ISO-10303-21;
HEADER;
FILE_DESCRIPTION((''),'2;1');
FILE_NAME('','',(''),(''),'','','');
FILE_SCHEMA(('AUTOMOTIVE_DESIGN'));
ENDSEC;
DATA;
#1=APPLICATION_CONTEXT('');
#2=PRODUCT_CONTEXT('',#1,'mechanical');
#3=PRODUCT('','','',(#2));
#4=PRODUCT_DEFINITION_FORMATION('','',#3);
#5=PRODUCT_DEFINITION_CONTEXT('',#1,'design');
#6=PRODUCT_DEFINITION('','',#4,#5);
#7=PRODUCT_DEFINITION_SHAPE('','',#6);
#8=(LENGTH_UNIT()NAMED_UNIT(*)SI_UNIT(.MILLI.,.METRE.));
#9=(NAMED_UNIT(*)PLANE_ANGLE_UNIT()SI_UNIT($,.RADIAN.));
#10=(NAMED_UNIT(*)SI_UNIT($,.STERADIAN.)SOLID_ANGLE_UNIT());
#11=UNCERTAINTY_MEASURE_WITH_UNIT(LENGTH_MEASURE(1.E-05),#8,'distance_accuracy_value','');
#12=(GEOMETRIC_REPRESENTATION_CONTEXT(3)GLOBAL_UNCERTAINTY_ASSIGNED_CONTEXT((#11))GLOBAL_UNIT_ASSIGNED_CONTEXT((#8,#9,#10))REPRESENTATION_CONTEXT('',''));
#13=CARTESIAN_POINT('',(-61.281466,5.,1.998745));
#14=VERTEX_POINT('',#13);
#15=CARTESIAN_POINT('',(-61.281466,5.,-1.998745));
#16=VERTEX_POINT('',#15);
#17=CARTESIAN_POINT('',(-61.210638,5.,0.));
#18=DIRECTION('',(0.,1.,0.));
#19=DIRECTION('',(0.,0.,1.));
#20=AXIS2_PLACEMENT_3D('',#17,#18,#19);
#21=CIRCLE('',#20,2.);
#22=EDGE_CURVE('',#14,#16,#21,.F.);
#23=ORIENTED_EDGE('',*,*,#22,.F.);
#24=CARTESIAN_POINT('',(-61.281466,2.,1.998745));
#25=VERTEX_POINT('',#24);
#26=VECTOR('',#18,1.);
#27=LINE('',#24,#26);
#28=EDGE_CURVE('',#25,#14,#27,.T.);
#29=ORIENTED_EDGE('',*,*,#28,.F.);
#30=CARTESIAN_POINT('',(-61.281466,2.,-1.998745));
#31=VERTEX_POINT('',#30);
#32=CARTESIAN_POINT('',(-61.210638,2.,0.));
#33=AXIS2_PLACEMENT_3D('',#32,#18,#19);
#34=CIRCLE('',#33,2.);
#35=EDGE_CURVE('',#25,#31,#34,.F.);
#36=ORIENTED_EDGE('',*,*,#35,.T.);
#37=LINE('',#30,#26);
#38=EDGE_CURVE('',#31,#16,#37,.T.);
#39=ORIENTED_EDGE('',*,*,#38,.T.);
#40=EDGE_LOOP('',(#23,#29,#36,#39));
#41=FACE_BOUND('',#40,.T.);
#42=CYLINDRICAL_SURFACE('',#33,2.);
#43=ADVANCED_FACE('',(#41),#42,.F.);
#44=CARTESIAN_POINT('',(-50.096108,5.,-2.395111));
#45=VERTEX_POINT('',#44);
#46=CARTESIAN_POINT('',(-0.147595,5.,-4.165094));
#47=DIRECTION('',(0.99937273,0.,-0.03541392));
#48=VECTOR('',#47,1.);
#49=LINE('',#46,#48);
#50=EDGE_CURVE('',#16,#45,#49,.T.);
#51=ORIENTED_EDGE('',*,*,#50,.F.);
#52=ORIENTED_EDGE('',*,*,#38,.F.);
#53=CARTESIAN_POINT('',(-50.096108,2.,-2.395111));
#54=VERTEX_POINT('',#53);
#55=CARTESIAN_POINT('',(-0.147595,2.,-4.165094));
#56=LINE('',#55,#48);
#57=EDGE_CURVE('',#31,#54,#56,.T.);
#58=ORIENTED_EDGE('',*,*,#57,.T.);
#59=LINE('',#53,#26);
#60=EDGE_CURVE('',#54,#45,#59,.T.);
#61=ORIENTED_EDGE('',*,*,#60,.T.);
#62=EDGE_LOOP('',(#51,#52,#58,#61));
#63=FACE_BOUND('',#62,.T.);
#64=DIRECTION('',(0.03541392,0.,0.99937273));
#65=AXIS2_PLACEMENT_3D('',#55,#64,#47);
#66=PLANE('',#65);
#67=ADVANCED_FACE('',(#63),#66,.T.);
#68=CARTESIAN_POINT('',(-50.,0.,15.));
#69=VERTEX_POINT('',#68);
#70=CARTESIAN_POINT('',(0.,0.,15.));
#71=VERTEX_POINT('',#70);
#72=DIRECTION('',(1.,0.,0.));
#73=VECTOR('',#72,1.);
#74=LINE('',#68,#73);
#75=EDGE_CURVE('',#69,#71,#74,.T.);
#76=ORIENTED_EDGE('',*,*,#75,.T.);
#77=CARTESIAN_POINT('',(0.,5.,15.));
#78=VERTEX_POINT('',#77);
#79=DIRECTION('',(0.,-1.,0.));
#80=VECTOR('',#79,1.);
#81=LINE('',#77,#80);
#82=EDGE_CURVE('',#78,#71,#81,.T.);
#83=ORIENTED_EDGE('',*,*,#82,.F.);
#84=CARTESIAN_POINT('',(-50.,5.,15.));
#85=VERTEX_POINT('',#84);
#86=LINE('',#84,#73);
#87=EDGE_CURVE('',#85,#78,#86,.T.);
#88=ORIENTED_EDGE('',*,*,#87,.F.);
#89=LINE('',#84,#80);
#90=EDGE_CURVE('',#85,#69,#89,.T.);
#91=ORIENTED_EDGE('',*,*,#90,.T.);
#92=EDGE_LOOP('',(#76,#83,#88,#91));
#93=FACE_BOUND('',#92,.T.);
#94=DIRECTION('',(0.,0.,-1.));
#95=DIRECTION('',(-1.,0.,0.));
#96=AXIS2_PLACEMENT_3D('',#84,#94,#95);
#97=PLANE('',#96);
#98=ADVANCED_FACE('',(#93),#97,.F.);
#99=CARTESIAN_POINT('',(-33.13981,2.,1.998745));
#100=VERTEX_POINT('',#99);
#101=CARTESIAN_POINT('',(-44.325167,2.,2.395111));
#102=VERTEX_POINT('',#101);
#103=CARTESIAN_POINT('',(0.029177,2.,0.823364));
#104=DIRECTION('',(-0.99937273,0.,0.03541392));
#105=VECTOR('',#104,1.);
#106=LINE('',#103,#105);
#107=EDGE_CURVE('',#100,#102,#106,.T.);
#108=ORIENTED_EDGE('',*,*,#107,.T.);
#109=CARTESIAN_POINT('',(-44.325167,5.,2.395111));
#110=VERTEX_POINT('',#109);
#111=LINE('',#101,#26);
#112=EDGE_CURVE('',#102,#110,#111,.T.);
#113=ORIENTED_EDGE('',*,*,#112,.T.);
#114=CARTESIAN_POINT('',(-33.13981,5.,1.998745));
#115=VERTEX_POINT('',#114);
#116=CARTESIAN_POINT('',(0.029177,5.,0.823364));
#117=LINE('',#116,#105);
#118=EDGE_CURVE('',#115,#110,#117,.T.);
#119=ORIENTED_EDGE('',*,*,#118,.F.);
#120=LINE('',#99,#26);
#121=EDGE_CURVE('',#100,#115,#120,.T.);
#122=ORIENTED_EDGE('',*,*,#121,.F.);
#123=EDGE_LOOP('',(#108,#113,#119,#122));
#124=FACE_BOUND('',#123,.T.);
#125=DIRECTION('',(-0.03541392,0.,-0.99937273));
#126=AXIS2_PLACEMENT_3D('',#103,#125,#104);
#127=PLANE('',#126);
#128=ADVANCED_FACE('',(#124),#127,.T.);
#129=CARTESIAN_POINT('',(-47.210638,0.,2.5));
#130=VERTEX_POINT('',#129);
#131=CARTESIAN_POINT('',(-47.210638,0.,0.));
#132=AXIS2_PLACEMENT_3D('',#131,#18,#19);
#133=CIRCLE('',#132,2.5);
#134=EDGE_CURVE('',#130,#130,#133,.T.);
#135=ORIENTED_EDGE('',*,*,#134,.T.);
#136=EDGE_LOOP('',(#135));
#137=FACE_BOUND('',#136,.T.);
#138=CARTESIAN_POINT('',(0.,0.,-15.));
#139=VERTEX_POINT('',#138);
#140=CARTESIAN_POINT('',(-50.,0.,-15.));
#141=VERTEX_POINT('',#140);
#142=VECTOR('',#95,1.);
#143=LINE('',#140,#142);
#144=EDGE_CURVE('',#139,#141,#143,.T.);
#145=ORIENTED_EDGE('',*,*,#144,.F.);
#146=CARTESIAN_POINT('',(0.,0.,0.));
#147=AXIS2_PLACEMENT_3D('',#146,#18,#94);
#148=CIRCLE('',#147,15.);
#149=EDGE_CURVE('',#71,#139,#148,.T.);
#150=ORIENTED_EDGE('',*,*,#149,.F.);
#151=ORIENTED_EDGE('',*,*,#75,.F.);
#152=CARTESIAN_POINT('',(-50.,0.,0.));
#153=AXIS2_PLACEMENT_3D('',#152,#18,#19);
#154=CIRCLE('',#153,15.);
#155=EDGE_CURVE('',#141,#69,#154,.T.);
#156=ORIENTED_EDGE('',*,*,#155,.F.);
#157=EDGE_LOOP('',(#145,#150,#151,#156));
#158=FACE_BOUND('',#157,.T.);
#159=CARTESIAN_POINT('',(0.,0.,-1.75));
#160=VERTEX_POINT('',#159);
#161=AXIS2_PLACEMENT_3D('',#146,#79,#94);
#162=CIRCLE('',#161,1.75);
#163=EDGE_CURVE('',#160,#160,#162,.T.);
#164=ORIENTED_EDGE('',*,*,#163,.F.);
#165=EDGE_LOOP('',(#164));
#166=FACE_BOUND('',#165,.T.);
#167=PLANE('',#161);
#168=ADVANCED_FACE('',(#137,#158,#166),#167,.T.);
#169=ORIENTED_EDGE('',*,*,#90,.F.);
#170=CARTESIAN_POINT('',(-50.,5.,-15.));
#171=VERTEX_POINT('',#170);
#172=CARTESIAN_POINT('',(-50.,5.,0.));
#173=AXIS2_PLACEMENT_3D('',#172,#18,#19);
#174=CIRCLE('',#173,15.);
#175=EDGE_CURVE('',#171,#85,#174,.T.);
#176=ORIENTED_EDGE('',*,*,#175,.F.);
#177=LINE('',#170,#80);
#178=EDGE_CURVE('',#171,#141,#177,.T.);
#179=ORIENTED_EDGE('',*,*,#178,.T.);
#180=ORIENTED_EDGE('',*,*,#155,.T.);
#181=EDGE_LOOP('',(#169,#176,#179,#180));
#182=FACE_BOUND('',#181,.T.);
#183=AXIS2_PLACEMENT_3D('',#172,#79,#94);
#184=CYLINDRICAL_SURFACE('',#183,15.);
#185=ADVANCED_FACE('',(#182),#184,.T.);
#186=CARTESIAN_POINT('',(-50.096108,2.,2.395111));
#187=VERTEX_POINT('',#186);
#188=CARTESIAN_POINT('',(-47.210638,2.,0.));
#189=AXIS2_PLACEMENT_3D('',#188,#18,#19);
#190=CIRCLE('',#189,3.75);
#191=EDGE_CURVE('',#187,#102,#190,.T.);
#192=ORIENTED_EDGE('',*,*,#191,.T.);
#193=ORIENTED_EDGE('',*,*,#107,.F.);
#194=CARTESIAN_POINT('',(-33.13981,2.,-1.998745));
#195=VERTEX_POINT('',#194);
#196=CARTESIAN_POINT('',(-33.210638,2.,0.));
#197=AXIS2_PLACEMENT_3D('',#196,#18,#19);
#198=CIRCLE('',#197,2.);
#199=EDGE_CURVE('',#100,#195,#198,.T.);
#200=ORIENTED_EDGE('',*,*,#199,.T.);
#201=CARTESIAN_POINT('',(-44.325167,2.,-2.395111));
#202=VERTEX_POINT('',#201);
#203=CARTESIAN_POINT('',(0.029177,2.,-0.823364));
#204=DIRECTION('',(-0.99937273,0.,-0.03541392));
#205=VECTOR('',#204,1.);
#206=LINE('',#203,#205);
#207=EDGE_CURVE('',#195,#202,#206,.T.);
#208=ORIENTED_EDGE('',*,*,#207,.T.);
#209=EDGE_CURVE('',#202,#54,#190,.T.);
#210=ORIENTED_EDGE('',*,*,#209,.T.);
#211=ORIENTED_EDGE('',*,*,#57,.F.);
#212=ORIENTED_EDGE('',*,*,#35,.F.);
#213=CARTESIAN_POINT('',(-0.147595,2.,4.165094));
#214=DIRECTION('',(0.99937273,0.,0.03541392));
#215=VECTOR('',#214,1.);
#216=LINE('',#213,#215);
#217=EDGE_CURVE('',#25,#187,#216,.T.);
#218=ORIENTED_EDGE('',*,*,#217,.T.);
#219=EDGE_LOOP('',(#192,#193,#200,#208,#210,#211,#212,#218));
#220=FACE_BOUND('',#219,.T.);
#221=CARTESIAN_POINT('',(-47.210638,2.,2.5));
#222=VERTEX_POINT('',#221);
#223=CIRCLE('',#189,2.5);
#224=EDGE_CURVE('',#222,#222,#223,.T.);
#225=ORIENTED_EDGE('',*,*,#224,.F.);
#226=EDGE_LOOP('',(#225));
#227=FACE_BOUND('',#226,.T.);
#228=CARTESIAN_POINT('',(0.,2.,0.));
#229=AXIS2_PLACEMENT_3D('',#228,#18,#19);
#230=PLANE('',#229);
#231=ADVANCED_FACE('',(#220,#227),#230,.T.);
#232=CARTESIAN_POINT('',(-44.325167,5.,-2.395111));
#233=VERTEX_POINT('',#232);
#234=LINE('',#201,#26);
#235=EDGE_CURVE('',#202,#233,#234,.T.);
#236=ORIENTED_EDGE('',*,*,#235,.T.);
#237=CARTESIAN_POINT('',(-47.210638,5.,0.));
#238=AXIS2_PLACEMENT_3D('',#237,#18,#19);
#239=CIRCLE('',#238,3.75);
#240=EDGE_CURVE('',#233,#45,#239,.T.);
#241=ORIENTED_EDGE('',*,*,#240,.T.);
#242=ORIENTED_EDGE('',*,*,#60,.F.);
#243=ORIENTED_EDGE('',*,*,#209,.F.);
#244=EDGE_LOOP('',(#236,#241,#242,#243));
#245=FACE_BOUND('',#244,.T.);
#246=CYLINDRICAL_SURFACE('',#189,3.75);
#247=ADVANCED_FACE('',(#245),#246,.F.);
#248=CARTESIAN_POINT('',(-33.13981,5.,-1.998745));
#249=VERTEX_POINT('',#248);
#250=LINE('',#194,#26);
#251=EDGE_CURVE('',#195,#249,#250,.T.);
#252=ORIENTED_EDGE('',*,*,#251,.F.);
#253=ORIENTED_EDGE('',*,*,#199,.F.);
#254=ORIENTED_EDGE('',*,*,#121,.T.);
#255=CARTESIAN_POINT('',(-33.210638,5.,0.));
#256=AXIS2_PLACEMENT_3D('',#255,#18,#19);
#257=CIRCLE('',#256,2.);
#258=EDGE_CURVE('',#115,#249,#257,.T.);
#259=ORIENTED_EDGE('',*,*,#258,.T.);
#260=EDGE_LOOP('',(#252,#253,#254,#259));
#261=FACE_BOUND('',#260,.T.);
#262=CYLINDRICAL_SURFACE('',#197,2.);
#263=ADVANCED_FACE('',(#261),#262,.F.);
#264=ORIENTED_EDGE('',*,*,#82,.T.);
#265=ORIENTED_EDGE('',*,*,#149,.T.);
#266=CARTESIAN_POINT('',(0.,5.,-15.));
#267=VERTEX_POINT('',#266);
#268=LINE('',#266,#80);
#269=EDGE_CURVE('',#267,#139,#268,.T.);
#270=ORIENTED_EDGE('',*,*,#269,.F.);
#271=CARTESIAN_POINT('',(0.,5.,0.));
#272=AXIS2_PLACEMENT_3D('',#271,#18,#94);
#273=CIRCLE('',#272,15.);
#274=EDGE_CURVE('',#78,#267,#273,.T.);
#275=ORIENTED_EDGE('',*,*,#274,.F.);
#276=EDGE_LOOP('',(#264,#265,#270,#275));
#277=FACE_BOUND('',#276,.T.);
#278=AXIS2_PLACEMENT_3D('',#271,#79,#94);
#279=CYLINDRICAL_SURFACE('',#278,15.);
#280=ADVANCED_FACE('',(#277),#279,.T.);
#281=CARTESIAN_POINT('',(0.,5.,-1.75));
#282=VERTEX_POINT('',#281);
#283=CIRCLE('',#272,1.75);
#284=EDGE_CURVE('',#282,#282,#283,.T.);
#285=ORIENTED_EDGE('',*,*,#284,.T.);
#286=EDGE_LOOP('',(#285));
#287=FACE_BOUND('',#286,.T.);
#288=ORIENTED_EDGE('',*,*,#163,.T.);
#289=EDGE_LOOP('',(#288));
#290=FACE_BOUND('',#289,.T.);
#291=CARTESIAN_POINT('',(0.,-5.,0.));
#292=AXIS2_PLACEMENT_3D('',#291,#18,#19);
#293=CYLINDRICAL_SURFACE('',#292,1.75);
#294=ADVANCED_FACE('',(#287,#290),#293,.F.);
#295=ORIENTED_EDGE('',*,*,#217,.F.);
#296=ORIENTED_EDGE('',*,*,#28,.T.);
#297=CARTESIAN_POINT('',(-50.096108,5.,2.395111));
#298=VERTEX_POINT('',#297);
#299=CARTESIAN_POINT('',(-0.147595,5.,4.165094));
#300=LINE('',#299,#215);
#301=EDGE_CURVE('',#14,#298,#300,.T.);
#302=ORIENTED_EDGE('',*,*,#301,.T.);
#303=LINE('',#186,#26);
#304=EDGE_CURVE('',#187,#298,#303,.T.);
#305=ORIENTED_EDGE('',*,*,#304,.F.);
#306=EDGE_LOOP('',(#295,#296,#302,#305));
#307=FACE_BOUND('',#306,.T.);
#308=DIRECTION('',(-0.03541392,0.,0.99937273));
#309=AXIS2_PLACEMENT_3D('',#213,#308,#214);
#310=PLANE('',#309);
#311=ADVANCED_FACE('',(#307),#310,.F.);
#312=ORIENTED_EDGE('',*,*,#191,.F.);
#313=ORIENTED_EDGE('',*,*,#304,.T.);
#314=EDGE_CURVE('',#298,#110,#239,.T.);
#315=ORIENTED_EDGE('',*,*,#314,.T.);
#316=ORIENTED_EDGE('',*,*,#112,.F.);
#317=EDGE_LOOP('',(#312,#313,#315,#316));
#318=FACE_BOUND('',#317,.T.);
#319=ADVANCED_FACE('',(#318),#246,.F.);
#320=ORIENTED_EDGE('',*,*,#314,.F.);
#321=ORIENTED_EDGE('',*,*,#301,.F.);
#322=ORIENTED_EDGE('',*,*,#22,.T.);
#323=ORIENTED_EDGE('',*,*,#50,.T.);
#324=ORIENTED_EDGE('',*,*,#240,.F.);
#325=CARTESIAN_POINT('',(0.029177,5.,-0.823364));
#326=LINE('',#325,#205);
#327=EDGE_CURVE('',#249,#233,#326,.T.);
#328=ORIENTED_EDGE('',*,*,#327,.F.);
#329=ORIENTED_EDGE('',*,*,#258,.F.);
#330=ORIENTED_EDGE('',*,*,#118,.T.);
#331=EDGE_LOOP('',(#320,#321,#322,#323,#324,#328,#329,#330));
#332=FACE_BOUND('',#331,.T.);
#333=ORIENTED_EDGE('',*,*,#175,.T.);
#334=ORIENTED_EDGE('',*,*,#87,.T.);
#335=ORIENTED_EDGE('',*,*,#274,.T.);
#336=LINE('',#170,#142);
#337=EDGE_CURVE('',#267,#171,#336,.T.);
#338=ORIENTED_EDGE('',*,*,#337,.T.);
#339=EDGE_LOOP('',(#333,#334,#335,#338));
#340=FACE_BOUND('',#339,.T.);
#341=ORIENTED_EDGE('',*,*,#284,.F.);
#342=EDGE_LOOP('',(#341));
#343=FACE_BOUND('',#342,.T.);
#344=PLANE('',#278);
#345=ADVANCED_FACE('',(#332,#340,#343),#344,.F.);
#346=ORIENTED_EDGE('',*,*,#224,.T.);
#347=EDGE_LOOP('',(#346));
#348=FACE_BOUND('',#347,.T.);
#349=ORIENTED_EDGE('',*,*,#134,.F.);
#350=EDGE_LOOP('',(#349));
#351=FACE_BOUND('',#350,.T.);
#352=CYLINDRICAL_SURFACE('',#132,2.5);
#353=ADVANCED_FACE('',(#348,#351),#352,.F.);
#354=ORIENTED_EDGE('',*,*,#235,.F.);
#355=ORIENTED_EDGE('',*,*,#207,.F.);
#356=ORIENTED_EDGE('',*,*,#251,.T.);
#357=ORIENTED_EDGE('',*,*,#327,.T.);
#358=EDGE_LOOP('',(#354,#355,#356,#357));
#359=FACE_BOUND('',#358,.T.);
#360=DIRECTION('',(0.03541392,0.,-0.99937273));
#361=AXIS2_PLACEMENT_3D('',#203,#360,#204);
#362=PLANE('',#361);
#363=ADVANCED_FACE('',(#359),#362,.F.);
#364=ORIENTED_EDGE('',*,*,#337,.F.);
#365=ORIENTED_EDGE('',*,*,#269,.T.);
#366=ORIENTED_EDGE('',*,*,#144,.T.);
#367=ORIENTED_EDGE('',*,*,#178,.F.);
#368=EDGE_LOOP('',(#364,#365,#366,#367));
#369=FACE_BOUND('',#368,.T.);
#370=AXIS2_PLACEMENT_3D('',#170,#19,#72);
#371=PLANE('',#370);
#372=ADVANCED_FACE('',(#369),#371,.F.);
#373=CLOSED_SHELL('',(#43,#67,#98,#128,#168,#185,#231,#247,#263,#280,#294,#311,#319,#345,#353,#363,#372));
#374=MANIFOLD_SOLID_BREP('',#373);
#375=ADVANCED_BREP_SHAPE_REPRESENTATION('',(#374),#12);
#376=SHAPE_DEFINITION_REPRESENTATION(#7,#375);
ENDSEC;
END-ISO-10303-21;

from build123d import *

# Parameters (mm, degrees)
RESSALTO_EXTRUS_O2_DEPTH = 5
ESBO_O4_R                = 1.75
CORTE_EXTRUS_O1_DEPTH    = 10
CORTE_EXTRUS_O2_DEPTH    = 3
ESBO_O7_R                = 2.5
CORTE_EXTRUS_O3_DEPTH    = 67.895440801


with BuildPart() as part:
    # Esboço3 → Ressalto-extrusão2 (new body)
    with BuildSketch(Plane(origin=(0, 0, 0), x_dir=(1, 0, 0), z_dir=(0, 1, 0))):
        with BuildLine():
            Line((-50, 15), (0, 15))
            ThreePointArc((0, 15), (15, 0), (0, -15))
            Line((0, -15), (-50, -15))
            ThreePointArc((-50, -15), (-65, 0), (-50, 15))
        make_face()
    extrude(amount=RESSALTO_EXTRUS_O2_DEPTH)

    # Esboço4 → Corte-extrusão1 (cut)
    with BuildSketch(Plane(origin=(0, 5, 0), x_dir=(1, 0, 0), z_dir=(0, 1, 0))):
        with Locations(Location((0, 0, 0), (0, 0, 90))):
            Circle(ESBO_O4_R)
    extrude(amount=-CORTE_EXTRUS_O1_DEPTH, mode=Mode.SUBTRACT)

    # Esboço6 → Corte-extrusão2 (cut)
    with BuildSketch(Plane(origin=(0, 5, 0), x_dir=(1, 0, 0), z_dir=(0, 1, 0))):
        with BuildLine():
            Line((-50.096108497, 2.395111434), (-61.281465627, 1.998745461))
            ThreePointArc((-61.281465627, 1.998745461), (-63.210637787, 0), (-61.281465627, -1.998745461))
            Line((-61.281465627, -1.998745461), (-50.096108497, -2.395111434))
            ThreePointArc((-50.096108497, -2.395111434), (-47.210637787, -3.75), (-44.325167077, -2.395111434))
            Line((-44.325167077, -2.395111434), (-33.139809947, -1.998745461))
            ThreePointArc((-33.139809947, -1.998745461), (-31.210637787, 0), (-33.139809947, 1.998745461))
            Line((-33.139809947, 1.998745461), (-44.325167077, 2.395111434))
            ThreePointArc((-44.325167077, 2.395111434), (-47.210637787, 3.75), (-50.096108497, 2.395111434))
        make_face()
        with BuildLine():
            ThreePointArc((-47.443873787, 2.489096416), (-47.210637787, 2.5), (-46.977401787, 2.489096416))
            ThreePointArc((-46.977401787, 2.489096416), (-45.362247947, 1.683286963), (-44.710637787, 0))
            ThreePointArc((-44.710637787, 0), (-45.362247947, -1.683286963), (-46.977401787, -2.489096416))
            ThreePointArc((-46.977401787, -2.489096416), (-47.210637787, -2.5), (-47.443873787, -2.489096416))
            ThreePointArc((-47.443873787, -2.489096416), (-49.710637787, 0), (-47.443873787, 2.489096416))
        make_face(mode=Mode.SUBTRACT)
    extrude(amount=-CORTE_EXTRUS_O2_DEPTH, mode=Mode.SUBTRACT)

    # Esboço7 → Corte-extrusão3 (cut, through all)
    with BuildSketch(Plane(origin=(0, 5, 0), x_dir=(1, 0, 0), z_dir=(0, 1, 0))):
        with Locations(Location((-47.210637787, 0, 0), (0, 0, 270))):
            Circle(ESBO_O7_R)
    extrude(amount=-CORTE_EXTRUS_O3_DEPTH, mode=Mode.SUBTRACT)


solid = part.part
